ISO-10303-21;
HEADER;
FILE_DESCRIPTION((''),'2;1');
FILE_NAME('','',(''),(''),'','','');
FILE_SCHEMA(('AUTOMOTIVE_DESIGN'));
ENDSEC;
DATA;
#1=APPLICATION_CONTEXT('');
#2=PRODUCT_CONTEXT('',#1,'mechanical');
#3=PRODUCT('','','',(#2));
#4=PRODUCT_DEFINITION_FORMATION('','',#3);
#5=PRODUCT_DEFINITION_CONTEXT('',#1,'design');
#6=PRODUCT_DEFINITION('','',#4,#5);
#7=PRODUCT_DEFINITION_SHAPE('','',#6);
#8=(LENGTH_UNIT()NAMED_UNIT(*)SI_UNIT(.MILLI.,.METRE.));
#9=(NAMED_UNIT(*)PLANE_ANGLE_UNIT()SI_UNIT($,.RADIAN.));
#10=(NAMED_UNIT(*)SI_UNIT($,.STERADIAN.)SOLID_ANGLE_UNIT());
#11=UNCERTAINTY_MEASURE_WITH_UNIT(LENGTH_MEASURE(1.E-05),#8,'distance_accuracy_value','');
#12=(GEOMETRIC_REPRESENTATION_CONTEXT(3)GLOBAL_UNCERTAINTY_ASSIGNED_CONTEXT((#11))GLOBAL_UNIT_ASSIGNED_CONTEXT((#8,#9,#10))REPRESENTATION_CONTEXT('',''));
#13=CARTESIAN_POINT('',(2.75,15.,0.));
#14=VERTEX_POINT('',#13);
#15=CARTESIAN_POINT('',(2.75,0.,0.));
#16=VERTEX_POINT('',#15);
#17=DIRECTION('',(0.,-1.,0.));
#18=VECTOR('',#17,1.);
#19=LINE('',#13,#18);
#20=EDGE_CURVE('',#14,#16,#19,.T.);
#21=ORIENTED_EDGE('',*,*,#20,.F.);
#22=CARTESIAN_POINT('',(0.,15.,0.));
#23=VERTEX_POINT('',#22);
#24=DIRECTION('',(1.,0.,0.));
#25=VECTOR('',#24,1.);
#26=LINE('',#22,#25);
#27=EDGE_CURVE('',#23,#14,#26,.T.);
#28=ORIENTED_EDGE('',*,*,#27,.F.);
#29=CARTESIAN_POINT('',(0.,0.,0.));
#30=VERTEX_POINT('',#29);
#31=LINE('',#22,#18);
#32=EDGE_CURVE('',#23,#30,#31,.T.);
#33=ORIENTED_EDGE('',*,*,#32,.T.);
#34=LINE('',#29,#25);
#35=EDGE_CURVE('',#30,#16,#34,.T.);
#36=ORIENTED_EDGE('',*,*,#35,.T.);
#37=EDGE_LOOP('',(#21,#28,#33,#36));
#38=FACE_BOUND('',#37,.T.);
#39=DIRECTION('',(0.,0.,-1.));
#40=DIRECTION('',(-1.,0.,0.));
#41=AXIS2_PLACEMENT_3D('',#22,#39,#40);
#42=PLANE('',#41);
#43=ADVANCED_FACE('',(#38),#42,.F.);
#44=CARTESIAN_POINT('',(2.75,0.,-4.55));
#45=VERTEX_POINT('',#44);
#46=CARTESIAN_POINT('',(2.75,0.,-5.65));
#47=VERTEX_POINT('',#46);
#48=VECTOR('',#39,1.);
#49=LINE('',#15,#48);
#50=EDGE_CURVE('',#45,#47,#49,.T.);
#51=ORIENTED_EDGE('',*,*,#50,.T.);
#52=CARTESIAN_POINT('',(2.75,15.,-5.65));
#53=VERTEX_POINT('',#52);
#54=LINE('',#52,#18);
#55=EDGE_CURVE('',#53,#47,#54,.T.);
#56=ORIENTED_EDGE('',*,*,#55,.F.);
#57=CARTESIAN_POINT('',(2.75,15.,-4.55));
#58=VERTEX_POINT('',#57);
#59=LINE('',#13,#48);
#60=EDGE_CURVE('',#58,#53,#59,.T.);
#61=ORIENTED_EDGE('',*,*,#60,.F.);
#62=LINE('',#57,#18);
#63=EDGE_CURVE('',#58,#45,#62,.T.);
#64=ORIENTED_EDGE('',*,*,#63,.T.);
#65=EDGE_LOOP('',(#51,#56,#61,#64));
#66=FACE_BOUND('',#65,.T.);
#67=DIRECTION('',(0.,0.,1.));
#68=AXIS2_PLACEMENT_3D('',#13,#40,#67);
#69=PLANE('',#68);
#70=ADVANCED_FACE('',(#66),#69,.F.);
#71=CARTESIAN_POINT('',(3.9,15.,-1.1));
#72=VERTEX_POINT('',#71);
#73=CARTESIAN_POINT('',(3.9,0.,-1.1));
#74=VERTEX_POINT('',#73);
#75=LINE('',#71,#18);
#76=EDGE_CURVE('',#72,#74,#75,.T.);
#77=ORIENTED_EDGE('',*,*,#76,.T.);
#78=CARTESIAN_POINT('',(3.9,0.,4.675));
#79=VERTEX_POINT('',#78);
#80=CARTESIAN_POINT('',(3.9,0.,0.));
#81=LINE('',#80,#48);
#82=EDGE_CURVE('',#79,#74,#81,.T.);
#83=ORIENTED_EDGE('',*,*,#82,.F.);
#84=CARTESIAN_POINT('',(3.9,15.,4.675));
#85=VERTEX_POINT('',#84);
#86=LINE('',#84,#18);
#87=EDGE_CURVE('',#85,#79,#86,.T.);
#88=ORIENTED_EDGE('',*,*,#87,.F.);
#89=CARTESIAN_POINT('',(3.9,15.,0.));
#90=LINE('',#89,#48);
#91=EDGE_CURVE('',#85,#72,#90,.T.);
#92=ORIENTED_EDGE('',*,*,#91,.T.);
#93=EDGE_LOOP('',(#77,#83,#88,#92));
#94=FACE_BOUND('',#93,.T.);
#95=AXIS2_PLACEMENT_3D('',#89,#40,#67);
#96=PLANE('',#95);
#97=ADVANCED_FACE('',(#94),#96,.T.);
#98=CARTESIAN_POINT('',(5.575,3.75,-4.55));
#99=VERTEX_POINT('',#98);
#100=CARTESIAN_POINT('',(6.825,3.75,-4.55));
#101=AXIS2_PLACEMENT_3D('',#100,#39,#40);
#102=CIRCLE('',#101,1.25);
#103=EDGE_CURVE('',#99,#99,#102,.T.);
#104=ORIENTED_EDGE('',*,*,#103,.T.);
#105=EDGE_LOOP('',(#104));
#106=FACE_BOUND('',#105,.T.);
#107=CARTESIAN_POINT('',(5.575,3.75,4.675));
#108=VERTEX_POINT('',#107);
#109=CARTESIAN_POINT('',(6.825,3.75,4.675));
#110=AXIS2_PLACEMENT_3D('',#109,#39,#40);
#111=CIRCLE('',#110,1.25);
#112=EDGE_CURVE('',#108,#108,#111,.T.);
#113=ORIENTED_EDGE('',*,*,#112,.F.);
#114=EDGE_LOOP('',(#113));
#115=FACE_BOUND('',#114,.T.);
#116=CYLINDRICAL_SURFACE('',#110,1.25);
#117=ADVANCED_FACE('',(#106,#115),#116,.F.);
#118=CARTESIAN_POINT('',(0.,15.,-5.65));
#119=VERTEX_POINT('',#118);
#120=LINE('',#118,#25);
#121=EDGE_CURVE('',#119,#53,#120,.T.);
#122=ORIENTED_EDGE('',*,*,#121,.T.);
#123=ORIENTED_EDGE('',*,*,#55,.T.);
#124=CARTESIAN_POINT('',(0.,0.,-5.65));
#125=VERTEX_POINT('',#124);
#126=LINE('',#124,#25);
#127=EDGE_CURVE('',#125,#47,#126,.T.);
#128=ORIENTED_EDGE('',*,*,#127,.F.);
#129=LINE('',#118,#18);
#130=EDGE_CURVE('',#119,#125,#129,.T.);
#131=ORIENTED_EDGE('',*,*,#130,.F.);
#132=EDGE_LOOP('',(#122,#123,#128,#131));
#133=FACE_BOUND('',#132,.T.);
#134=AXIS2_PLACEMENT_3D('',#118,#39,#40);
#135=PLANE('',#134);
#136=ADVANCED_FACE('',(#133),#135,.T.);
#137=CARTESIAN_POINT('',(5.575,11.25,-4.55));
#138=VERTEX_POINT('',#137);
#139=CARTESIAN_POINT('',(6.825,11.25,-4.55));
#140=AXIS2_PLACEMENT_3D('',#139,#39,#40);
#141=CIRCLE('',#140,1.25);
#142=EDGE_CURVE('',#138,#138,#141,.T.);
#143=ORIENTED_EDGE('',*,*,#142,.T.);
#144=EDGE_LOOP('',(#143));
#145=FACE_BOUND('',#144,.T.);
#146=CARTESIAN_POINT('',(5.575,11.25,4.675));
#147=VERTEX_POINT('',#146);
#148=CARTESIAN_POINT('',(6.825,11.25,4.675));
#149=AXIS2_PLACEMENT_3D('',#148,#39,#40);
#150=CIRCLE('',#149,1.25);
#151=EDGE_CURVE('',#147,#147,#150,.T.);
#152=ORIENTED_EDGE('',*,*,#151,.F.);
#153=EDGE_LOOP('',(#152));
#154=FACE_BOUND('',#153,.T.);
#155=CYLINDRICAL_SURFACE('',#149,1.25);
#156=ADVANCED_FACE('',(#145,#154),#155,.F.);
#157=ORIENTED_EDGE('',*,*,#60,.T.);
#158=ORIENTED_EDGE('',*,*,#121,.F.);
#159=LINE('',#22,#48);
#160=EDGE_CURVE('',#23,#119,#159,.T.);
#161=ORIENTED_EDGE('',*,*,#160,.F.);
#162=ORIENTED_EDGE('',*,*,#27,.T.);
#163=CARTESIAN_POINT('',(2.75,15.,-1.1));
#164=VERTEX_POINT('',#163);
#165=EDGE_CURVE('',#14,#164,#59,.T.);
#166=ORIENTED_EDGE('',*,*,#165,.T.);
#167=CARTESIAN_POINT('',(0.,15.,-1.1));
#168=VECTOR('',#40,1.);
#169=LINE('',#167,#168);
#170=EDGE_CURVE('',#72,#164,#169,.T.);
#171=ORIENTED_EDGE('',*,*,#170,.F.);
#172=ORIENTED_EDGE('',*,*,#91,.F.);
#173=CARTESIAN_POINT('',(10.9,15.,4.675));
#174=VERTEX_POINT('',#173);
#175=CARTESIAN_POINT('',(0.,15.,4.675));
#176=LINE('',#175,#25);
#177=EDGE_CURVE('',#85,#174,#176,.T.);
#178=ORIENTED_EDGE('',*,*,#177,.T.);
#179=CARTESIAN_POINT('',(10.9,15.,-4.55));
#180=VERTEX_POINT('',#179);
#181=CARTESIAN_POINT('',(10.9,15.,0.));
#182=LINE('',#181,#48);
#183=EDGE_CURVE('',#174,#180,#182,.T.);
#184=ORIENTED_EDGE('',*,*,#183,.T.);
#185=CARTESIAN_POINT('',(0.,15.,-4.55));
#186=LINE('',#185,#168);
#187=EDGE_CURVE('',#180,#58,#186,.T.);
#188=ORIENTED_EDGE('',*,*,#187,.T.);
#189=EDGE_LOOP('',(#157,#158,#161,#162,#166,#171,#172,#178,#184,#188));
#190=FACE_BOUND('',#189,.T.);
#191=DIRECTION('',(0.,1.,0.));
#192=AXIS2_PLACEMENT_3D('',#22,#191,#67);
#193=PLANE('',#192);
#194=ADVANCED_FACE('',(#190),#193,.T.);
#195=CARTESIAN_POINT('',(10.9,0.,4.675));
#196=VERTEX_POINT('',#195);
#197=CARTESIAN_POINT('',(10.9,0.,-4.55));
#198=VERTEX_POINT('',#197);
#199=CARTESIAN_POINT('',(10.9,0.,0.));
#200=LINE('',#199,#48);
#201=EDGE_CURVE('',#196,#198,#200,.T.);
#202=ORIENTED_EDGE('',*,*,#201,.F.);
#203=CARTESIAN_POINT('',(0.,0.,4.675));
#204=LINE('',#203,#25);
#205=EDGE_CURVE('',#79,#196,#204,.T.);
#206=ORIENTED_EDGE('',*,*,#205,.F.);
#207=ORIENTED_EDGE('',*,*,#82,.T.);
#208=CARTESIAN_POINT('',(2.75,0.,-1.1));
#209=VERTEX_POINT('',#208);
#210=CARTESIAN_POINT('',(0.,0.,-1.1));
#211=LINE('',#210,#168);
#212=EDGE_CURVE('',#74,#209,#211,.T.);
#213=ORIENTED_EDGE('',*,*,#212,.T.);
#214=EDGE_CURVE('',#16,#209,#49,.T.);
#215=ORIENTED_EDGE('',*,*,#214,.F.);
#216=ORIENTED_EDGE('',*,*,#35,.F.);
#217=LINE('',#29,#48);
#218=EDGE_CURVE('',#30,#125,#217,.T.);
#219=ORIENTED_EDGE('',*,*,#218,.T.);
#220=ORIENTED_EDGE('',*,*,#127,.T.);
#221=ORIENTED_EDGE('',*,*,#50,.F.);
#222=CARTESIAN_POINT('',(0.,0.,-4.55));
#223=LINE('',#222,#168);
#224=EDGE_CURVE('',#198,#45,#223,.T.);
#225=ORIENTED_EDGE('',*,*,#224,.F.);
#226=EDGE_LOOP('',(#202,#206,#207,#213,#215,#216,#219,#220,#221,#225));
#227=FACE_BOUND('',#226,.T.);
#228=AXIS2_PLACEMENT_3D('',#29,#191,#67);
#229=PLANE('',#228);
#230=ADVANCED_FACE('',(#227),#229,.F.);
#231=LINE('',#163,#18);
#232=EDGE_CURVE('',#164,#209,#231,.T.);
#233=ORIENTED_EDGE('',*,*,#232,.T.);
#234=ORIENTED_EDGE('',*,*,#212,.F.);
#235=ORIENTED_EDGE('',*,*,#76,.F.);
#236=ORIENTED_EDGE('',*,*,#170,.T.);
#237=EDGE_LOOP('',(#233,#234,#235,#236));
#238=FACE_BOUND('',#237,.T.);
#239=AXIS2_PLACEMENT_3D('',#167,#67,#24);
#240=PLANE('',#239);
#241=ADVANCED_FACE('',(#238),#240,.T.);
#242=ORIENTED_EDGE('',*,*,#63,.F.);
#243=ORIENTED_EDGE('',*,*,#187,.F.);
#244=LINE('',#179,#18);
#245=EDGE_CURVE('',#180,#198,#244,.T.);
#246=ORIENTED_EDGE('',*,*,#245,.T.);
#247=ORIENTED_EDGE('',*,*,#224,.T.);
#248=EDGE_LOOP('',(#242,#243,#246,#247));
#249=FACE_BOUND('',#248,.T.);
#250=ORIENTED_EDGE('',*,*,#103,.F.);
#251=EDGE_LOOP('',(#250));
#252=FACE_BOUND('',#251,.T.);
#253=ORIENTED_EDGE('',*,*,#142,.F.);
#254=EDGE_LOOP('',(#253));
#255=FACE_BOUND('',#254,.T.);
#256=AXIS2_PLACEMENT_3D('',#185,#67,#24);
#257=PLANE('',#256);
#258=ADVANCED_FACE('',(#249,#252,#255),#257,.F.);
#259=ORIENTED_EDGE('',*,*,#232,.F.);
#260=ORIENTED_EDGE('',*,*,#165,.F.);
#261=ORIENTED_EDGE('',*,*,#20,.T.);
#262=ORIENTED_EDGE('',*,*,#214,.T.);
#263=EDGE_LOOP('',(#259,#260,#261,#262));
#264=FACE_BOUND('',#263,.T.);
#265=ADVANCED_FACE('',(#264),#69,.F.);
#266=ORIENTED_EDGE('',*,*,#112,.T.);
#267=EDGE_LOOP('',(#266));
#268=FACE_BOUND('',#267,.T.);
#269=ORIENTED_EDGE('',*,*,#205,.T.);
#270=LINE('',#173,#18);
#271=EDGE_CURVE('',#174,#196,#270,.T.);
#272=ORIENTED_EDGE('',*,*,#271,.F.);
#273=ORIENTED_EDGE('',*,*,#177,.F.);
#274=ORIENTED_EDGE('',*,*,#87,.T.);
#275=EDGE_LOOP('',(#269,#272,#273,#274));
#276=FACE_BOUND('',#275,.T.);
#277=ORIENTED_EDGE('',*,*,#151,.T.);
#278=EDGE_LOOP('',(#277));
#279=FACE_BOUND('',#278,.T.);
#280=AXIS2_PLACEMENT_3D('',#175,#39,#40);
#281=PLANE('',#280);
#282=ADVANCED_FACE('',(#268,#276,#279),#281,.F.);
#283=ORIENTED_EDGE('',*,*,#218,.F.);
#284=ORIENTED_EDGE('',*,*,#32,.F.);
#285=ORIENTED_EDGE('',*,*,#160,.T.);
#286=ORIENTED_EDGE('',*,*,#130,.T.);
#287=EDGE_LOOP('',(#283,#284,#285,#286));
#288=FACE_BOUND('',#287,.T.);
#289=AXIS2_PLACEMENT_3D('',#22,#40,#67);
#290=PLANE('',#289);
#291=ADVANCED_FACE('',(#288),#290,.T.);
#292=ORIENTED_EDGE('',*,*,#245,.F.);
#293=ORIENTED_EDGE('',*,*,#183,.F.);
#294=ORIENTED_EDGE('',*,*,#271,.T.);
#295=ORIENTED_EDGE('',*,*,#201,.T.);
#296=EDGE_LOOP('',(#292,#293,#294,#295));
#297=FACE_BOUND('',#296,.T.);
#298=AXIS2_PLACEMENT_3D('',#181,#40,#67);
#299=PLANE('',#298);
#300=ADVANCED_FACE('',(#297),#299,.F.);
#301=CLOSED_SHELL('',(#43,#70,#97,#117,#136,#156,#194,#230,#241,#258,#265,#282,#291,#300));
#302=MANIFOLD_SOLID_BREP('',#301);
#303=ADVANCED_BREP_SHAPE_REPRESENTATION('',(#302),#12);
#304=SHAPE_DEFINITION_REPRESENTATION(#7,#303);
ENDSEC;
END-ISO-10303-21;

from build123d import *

# Parameters (mm, degrees)
SKETCH1_W           = 2.75
SKETCH1_H           = 5.65
SKETCH1_W_2         = 1.15
SKETCH1_H_2         = 1.725
BOSS_EXTRUDE1_DEPTH = 15
SKETCH2_R           = 1.25
CUT_EXTRUDE1_DEPTH  = 21.710157532


with BuildPart() as part:
    # Sketch1 → Boss-Extrude1 (new body)
    with BuildSketch(Plane(origin=(0, 0, 0), x_dir=(1, 0, 0), z_dir=(0, 1, 0))):
        with Locations((1.375, 2.825)):
            Rectangle(SKETCH1_W, SKETCH1_H)
        with Locations((3.325, 3.6875)):
            Rectangle(SKETCH1_W_2, SKETCH1_H_2)
        with Locations((3.325, 1.9625)):
            Rectangle(SKETCH1_W_2, SKETCH1_H_2)
        Polygon((10.9, -4.675), (10.9, 4.55), (3.9, 4.55), (3.9, 2.825), (3.9, -4.675), align=None)
    extrude(amount=BOSS_EXTRUDE1_DEPTH)

    # Sketch2 → Cut-Extrude1 (cut, through all)
    with BuildSketch(Plane(origin=(0, 0, -4.55), x_dir=(-1, 0, 0), z_dir=(0, 0, -1))):
        with Locations((-6.825, 11.25)):
            Circle(SKETCH2_R)
        with Locations((-6.825, 3.75)):
            Circle(SKETCH2_R)
    extrude(amount=-CUT_EXTRUDE1_DEPTH, mode=Mode.SUBTRACT)


solid = part.part
